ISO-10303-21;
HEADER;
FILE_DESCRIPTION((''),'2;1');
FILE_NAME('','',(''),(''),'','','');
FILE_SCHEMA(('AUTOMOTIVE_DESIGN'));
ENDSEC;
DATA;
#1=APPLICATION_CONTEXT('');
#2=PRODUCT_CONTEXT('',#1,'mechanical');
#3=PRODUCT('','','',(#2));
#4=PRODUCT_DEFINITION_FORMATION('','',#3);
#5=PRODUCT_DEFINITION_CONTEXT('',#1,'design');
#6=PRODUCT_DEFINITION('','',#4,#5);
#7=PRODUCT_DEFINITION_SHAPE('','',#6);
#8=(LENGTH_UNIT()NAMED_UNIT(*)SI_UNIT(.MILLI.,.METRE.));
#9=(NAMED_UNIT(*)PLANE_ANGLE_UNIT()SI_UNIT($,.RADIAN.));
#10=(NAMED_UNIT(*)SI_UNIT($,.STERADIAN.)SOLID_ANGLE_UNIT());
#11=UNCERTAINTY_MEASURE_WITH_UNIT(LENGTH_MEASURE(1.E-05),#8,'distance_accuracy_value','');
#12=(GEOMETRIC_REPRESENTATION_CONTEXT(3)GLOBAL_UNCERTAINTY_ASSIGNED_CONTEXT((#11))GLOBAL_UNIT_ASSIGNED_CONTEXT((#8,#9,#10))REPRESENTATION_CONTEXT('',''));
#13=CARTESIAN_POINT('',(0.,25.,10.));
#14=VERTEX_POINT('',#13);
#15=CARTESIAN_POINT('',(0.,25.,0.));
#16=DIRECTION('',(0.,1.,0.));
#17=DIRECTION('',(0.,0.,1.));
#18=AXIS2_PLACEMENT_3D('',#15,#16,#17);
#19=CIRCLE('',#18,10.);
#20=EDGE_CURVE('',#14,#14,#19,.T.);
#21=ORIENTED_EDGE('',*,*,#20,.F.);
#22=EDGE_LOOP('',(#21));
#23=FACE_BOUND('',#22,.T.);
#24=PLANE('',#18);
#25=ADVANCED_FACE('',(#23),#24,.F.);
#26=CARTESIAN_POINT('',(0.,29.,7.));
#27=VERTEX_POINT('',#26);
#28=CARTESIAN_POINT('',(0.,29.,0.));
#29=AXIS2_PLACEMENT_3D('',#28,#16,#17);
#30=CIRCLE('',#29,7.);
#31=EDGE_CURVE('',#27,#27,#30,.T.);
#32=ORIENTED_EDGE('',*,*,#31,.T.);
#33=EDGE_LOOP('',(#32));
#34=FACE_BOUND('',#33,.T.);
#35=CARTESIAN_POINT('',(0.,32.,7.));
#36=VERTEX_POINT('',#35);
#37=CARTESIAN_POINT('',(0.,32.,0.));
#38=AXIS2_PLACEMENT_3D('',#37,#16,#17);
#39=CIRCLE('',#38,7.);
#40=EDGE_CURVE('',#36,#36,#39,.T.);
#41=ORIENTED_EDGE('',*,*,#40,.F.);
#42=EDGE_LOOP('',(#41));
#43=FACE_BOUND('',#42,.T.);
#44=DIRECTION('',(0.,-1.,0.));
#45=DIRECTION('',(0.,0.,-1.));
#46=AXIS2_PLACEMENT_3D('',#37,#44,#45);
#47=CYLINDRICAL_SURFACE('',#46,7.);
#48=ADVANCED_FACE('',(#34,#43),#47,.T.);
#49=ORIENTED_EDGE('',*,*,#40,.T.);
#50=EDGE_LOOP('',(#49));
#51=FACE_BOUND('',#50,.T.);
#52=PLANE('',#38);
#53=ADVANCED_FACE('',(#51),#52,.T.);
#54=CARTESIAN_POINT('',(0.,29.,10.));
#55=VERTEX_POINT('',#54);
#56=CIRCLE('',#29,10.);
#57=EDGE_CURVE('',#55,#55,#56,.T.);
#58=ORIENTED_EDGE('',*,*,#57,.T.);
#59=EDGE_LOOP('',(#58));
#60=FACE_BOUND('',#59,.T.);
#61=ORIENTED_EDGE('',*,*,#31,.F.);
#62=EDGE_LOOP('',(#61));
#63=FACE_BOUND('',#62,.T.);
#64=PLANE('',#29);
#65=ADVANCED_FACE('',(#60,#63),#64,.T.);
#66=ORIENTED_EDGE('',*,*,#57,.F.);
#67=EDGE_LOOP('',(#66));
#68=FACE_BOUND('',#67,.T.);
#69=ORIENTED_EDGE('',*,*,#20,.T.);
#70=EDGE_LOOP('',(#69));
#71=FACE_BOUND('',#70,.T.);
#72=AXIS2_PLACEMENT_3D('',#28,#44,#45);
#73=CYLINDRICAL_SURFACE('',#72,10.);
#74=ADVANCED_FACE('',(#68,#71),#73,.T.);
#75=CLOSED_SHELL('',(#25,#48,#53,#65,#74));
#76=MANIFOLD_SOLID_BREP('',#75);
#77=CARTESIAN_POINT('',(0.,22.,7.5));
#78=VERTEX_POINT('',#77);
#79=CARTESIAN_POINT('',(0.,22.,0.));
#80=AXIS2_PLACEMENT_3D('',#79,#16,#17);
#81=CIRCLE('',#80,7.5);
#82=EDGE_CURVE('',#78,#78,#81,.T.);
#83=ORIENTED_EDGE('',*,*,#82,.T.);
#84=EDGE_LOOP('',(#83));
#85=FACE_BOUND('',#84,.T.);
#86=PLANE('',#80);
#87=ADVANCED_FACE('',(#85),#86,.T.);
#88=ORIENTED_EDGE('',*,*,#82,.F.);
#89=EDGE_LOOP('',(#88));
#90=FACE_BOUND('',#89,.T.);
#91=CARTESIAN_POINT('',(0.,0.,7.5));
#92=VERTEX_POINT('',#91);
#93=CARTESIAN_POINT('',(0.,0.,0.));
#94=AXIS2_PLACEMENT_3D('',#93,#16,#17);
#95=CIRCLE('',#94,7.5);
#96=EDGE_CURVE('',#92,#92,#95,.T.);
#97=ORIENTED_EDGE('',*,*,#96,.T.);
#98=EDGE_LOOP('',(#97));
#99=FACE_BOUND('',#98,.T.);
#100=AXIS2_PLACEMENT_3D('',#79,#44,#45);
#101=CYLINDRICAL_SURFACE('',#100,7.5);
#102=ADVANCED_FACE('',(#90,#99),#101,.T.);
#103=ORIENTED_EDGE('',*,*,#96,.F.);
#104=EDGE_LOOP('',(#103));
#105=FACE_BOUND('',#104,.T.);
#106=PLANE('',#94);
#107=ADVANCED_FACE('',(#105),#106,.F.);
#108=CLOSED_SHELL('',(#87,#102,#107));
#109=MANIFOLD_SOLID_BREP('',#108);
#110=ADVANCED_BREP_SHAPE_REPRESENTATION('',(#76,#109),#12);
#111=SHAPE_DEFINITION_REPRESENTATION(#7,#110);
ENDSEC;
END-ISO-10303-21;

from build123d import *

# Parameters (mm, degrees)
P01_BEZEL_START = 25
SK_P01_BEZEL_R  = 10
P01_BEZEL_DEPTH = 4
P02_LENS_START  = 29
SK_P02_LENS_R   = 7
P02_LENS_DEPTH  = 3
SK_P03_BODY_R   = 7.5
P03_BODY_DEPTH  = 22


with BuildPart() as part:
    # SK_P01_Bezel → P01_Bezel (new body)
    with BuildSketch(Plane(origin=(0, 0, 0), x_dir=(1, 0, 0), z_dir=(0, 1, 0)).offset(P01_BEZEL_START)):
        with Locations(Location((0, 0, 0), (0, 0, 270))):
            Circle(SK_P01_BEZEL_R)
    extrude(amount=P01_BEZEL_DEPTH)

    # SK_P02_Lens → P02_Lens (add)
    with BuildSketch(Plane(origin=(0, 0, 0), x_dir=(1, 0, 0), z_dir=(0, 1, 0)).offset(P02_LENS_START)):
        with Locations(Location((0, 0, 0), (0, 0, 270))):
            Circle(SK_P02_LENS_R)
    extrude(amount=P02_LENS_DEPTH)


with BuildPart() as body_2:
    # SK_P03_Body → P03_Body (new body)
    with BuildSketch(Plane(origin=(0, 0, 0), x_dir=(1, 0, 0), z_dir=(0, 1, 0))):
        with Locations(Location((0, 0, 0), (0, 0, 270))):
            Circle(SK_P03_BODY_R)
    extrude(amount=P03_BODY_DEPTH)


solid = Compound([part.part, body_2.part])
